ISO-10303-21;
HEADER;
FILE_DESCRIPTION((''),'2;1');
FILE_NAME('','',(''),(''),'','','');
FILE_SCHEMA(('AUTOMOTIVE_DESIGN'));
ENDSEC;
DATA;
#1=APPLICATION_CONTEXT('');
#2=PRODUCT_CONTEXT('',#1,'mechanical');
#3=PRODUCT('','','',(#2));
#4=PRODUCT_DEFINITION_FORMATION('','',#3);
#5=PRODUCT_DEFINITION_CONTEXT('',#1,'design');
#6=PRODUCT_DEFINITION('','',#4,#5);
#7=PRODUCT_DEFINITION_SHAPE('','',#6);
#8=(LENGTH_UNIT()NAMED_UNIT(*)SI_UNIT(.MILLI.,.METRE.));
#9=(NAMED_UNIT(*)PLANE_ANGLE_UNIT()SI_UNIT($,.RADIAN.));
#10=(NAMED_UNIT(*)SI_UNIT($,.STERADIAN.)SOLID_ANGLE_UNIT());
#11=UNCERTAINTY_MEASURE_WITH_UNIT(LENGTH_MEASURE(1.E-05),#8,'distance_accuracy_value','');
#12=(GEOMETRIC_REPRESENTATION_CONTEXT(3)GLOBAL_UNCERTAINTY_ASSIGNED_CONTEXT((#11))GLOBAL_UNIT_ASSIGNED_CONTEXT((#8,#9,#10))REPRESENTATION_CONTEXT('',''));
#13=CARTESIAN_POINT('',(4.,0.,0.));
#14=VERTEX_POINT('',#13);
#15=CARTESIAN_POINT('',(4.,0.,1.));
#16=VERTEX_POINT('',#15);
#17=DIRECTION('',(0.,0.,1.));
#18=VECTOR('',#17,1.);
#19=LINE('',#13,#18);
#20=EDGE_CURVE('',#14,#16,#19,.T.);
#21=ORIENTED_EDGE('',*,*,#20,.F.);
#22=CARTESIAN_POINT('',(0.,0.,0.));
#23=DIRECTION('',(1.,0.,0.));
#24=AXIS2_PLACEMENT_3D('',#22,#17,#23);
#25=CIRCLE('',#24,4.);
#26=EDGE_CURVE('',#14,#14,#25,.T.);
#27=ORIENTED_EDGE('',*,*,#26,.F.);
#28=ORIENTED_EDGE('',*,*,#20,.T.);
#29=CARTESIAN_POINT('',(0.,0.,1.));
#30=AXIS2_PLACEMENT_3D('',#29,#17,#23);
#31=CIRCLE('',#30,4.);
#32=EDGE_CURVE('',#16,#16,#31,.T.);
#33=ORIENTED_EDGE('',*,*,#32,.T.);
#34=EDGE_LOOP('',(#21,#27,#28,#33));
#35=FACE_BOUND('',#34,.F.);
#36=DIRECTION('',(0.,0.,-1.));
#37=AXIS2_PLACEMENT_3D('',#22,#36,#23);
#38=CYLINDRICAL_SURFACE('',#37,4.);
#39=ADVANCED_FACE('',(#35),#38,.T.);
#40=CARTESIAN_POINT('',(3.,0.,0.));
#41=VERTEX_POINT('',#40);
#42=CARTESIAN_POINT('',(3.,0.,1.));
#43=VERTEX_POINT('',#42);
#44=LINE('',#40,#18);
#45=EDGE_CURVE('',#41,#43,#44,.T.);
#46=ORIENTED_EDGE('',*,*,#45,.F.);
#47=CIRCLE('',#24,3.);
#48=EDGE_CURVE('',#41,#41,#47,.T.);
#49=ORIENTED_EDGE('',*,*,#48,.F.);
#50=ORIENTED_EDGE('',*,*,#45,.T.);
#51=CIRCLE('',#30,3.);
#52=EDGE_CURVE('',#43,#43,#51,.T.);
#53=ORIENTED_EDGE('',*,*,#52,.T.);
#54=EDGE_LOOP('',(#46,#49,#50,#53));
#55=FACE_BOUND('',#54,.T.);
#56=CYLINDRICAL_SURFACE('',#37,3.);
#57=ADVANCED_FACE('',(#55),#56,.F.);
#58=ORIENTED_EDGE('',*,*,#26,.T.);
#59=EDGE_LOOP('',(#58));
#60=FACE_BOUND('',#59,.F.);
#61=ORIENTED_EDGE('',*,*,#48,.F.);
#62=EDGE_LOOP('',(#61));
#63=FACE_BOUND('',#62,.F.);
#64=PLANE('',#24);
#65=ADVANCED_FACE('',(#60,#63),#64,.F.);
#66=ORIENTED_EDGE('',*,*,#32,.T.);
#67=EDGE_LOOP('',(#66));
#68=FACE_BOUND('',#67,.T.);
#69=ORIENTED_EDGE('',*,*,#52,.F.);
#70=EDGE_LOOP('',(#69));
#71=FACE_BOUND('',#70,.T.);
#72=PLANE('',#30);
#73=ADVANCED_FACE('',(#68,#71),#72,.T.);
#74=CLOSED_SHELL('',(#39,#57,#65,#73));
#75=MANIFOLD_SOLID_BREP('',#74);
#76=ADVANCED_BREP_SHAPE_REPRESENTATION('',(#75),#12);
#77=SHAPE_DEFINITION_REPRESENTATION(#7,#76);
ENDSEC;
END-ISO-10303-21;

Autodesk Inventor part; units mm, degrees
ref_plane "YZ Plane" through (0, 0, 0) normal (1, 0, 0) x (0, 1, 0)
ref_plane "XZ Plane" through (0, 0, 0) normal (0, 1, 0) x (-1, 0, 0)
ref_plane "XY Plane" through (0, 0, 0) normal (0, 0, 1) x (1, 0, 0)
sketch "スケッチ1" plane through (0, 0, 0) normal (0, 0, 1) x (1, 0, 0)
  circle A0 centre (0, 0) radius 3
  circle A1 centre (0, 0) radius 4
  dimension "d0" = 6
  dimension "d1" = 8
extrude "押し出し1" add sketch "スケッチ1" along normal blind 1
properties part number "シムリング0608,1t" material "鋼、高強度、低合金"
